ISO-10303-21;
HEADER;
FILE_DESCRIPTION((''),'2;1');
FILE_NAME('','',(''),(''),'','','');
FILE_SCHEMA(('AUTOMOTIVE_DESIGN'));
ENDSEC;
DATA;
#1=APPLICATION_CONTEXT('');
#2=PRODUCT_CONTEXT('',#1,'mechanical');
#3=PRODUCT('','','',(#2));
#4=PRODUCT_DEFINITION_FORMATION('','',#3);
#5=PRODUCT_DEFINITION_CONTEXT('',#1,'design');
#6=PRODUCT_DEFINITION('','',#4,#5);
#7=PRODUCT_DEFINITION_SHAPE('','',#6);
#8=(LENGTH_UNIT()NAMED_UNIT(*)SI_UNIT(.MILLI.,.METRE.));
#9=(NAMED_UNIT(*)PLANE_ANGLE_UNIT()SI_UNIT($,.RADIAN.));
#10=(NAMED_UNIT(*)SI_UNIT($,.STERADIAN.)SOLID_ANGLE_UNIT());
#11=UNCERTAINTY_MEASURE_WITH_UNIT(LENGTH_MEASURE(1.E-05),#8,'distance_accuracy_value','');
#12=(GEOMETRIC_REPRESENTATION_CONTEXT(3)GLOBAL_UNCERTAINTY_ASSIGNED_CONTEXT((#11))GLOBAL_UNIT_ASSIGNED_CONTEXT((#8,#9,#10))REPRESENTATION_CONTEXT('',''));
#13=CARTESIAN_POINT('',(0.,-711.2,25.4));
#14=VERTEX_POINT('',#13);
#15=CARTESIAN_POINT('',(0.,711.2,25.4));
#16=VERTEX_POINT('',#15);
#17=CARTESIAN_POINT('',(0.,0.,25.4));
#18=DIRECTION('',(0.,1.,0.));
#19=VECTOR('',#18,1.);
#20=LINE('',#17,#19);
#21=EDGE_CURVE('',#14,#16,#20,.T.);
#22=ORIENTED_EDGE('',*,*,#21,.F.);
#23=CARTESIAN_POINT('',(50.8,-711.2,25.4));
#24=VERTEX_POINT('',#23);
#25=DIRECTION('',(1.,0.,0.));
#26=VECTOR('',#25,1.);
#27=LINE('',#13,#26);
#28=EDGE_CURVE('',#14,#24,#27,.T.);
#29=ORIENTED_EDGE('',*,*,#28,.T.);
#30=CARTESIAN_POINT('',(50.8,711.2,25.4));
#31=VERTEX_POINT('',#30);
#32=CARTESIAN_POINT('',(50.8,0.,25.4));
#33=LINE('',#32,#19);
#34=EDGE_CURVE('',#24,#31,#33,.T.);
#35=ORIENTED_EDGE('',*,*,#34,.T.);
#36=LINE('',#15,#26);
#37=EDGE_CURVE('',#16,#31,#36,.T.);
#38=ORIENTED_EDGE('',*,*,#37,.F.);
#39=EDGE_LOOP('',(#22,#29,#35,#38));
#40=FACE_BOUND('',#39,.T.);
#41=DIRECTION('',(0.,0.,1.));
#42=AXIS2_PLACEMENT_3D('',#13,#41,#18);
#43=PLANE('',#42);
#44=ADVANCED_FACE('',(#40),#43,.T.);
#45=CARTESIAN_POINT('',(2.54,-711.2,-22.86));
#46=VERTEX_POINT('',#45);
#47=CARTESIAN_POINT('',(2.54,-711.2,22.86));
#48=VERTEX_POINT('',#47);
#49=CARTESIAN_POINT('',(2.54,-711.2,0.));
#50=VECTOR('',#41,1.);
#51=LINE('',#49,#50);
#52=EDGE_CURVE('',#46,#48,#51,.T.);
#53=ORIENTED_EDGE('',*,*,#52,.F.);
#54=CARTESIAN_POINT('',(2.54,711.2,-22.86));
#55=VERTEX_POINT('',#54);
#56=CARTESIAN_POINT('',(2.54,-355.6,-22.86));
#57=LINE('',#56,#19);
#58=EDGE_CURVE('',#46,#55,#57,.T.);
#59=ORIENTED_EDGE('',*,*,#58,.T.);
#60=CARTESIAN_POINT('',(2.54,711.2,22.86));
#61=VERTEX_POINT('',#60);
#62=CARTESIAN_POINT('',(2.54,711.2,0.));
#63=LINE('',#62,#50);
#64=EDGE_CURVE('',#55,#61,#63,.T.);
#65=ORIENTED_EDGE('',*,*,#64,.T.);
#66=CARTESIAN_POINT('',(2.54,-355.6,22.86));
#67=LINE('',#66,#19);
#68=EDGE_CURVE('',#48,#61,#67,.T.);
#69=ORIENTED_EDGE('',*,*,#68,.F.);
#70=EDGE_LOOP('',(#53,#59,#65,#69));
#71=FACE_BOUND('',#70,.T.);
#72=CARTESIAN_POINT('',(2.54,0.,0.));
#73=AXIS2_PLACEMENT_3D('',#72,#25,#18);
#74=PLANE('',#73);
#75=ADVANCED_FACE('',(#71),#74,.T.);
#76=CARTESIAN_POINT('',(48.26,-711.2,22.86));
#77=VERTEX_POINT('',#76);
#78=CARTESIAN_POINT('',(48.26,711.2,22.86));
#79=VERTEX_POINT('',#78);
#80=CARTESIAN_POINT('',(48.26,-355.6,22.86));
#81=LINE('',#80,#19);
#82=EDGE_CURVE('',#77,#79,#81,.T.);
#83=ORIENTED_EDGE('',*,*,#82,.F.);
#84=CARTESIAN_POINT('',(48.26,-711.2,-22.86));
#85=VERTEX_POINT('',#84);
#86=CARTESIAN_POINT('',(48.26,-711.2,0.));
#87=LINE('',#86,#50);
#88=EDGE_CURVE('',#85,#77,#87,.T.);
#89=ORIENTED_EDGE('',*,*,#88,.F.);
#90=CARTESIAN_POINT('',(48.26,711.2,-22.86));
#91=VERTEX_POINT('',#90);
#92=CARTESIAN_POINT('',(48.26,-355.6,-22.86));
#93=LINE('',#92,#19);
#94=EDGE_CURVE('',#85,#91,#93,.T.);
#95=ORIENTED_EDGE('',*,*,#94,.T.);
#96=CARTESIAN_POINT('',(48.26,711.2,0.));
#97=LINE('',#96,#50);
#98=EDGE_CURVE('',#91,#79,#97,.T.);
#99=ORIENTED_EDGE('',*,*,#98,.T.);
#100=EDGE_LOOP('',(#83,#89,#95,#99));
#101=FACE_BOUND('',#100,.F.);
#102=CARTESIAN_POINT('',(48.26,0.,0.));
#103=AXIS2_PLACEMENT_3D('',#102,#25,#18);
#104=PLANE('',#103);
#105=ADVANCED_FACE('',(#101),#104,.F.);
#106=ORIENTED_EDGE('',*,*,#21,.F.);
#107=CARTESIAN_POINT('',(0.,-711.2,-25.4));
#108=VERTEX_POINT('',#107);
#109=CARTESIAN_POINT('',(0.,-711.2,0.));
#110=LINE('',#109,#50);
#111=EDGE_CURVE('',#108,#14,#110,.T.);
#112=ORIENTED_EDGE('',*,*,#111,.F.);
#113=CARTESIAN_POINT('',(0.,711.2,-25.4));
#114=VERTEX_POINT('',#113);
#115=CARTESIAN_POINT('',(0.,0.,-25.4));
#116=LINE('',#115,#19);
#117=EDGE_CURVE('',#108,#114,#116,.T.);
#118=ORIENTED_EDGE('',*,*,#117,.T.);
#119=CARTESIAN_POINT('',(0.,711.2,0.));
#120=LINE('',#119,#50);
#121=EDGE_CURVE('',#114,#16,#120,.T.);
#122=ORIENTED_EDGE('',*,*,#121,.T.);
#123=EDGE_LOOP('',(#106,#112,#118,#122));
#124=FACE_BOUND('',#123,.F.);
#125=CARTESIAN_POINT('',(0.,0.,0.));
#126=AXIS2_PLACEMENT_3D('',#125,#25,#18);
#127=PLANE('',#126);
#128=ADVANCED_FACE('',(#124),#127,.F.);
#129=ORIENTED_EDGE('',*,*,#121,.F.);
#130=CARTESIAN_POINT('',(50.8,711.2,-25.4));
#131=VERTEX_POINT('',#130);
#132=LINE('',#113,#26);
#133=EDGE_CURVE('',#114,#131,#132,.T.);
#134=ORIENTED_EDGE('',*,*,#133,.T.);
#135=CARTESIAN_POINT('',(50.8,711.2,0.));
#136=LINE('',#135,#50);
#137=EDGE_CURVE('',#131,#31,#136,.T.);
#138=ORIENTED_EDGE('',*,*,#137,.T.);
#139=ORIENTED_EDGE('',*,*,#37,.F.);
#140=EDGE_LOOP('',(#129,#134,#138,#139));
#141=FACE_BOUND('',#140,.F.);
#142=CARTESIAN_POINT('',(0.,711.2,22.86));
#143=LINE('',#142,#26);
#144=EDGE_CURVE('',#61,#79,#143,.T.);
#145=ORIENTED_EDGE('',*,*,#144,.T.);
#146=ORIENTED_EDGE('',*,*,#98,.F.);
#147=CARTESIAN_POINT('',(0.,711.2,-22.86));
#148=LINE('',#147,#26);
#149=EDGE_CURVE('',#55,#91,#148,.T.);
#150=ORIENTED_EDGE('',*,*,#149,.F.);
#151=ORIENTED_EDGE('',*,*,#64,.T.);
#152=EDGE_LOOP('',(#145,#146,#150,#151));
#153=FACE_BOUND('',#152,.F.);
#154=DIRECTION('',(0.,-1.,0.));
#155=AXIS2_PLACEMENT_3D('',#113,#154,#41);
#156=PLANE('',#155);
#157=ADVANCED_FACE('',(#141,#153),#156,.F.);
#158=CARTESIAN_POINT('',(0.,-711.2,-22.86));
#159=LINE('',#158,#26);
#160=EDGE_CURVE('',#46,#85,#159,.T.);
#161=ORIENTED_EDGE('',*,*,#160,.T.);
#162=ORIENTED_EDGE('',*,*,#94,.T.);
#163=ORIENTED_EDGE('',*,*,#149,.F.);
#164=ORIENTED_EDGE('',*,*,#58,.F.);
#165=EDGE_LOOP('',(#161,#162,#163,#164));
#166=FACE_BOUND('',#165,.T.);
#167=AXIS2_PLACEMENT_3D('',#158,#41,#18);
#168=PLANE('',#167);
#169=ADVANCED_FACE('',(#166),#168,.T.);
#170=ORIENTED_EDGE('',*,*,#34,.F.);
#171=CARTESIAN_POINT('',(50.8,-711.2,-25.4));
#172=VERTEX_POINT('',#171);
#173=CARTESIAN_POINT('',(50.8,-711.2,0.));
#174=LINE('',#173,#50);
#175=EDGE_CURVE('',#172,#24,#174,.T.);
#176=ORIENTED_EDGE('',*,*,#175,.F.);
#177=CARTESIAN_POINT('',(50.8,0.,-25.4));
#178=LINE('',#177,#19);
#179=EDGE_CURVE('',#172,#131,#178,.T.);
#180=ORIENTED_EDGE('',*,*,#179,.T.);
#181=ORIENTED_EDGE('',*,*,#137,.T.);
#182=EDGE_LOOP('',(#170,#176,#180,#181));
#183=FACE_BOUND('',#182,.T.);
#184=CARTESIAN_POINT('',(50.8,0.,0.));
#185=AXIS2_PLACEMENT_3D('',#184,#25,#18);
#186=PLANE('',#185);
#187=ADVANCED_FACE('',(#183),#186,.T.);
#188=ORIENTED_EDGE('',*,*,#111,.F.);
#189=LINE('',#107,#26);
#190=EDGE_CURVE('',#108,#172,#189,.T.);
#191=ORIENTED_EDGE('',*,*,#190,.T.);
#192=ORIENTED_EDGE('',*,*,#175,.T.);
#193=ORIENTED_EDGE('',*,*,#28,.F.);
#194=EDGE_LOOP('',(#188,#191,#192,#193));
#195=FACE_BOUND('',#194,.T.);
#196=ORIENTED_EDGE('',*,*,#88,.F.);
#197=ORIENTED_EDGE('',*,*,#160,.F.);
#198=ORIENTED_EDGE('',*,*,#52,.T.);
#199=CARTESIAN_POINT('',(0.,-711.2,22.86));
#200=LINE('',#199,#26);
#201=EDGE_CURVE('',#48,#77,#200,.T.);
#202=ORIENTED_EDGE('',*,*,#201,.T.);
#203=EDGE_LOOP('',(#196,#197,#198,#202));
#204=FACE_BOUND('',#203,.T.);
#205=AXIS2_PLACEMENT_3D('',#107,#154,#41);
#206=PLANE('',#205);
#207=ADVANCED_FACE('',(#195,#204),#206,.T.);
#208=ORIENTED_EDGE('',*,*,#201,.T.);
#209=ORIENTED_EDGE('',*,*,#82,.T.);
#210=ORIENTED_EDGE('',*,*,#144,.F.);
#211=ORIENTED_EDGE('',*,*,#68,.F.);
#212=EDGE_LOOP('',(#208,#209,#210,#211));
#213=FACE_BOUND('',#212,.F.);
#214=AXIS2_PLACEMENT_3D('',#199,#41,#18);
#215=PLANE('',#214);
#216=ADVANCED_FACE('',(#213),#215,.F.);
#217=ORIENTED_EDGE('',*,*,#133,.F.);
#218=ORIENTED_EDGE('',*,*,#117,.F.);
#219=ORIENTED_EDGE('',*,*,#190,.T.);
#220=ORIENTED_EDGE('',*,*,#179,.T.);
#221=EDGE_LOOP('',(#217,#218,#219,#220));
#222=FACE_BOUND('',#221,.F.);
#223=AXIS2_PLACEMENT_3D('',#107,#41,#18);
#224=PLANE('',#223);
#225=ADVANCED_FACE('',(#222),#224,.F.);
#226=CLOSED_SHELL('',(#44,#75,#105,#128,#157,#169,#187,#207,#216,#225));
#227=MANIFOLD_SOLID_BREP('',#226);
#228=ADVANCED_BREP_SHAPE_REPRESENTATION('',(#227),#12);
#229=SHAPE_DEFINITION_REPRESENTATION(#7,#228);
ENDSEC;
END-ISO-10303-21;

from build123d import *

# Parameters (mm, degrees)
F0_W     = 1422.4
F0_H     = 50.8
F1_DEPTH = 50.8
F2_T     = -2.54


with BuildPart() as f1:
    # F0 (on Right) → F1 (new body)
    with BuildSketch(Plane.YZ):
        Rectangle(F0_W, F0_H)
    extrude(amount=F1_DEPTH)

    # F2
    f2_openings = [f1.faces().sort_by_distance(p)[0] for p in [
        (25.4, 711.2, 0),
        (25.4, -711.2, 0),
    ]]
    offset(amount=F2_T, openings=f2_openings)


solid = f1.part
